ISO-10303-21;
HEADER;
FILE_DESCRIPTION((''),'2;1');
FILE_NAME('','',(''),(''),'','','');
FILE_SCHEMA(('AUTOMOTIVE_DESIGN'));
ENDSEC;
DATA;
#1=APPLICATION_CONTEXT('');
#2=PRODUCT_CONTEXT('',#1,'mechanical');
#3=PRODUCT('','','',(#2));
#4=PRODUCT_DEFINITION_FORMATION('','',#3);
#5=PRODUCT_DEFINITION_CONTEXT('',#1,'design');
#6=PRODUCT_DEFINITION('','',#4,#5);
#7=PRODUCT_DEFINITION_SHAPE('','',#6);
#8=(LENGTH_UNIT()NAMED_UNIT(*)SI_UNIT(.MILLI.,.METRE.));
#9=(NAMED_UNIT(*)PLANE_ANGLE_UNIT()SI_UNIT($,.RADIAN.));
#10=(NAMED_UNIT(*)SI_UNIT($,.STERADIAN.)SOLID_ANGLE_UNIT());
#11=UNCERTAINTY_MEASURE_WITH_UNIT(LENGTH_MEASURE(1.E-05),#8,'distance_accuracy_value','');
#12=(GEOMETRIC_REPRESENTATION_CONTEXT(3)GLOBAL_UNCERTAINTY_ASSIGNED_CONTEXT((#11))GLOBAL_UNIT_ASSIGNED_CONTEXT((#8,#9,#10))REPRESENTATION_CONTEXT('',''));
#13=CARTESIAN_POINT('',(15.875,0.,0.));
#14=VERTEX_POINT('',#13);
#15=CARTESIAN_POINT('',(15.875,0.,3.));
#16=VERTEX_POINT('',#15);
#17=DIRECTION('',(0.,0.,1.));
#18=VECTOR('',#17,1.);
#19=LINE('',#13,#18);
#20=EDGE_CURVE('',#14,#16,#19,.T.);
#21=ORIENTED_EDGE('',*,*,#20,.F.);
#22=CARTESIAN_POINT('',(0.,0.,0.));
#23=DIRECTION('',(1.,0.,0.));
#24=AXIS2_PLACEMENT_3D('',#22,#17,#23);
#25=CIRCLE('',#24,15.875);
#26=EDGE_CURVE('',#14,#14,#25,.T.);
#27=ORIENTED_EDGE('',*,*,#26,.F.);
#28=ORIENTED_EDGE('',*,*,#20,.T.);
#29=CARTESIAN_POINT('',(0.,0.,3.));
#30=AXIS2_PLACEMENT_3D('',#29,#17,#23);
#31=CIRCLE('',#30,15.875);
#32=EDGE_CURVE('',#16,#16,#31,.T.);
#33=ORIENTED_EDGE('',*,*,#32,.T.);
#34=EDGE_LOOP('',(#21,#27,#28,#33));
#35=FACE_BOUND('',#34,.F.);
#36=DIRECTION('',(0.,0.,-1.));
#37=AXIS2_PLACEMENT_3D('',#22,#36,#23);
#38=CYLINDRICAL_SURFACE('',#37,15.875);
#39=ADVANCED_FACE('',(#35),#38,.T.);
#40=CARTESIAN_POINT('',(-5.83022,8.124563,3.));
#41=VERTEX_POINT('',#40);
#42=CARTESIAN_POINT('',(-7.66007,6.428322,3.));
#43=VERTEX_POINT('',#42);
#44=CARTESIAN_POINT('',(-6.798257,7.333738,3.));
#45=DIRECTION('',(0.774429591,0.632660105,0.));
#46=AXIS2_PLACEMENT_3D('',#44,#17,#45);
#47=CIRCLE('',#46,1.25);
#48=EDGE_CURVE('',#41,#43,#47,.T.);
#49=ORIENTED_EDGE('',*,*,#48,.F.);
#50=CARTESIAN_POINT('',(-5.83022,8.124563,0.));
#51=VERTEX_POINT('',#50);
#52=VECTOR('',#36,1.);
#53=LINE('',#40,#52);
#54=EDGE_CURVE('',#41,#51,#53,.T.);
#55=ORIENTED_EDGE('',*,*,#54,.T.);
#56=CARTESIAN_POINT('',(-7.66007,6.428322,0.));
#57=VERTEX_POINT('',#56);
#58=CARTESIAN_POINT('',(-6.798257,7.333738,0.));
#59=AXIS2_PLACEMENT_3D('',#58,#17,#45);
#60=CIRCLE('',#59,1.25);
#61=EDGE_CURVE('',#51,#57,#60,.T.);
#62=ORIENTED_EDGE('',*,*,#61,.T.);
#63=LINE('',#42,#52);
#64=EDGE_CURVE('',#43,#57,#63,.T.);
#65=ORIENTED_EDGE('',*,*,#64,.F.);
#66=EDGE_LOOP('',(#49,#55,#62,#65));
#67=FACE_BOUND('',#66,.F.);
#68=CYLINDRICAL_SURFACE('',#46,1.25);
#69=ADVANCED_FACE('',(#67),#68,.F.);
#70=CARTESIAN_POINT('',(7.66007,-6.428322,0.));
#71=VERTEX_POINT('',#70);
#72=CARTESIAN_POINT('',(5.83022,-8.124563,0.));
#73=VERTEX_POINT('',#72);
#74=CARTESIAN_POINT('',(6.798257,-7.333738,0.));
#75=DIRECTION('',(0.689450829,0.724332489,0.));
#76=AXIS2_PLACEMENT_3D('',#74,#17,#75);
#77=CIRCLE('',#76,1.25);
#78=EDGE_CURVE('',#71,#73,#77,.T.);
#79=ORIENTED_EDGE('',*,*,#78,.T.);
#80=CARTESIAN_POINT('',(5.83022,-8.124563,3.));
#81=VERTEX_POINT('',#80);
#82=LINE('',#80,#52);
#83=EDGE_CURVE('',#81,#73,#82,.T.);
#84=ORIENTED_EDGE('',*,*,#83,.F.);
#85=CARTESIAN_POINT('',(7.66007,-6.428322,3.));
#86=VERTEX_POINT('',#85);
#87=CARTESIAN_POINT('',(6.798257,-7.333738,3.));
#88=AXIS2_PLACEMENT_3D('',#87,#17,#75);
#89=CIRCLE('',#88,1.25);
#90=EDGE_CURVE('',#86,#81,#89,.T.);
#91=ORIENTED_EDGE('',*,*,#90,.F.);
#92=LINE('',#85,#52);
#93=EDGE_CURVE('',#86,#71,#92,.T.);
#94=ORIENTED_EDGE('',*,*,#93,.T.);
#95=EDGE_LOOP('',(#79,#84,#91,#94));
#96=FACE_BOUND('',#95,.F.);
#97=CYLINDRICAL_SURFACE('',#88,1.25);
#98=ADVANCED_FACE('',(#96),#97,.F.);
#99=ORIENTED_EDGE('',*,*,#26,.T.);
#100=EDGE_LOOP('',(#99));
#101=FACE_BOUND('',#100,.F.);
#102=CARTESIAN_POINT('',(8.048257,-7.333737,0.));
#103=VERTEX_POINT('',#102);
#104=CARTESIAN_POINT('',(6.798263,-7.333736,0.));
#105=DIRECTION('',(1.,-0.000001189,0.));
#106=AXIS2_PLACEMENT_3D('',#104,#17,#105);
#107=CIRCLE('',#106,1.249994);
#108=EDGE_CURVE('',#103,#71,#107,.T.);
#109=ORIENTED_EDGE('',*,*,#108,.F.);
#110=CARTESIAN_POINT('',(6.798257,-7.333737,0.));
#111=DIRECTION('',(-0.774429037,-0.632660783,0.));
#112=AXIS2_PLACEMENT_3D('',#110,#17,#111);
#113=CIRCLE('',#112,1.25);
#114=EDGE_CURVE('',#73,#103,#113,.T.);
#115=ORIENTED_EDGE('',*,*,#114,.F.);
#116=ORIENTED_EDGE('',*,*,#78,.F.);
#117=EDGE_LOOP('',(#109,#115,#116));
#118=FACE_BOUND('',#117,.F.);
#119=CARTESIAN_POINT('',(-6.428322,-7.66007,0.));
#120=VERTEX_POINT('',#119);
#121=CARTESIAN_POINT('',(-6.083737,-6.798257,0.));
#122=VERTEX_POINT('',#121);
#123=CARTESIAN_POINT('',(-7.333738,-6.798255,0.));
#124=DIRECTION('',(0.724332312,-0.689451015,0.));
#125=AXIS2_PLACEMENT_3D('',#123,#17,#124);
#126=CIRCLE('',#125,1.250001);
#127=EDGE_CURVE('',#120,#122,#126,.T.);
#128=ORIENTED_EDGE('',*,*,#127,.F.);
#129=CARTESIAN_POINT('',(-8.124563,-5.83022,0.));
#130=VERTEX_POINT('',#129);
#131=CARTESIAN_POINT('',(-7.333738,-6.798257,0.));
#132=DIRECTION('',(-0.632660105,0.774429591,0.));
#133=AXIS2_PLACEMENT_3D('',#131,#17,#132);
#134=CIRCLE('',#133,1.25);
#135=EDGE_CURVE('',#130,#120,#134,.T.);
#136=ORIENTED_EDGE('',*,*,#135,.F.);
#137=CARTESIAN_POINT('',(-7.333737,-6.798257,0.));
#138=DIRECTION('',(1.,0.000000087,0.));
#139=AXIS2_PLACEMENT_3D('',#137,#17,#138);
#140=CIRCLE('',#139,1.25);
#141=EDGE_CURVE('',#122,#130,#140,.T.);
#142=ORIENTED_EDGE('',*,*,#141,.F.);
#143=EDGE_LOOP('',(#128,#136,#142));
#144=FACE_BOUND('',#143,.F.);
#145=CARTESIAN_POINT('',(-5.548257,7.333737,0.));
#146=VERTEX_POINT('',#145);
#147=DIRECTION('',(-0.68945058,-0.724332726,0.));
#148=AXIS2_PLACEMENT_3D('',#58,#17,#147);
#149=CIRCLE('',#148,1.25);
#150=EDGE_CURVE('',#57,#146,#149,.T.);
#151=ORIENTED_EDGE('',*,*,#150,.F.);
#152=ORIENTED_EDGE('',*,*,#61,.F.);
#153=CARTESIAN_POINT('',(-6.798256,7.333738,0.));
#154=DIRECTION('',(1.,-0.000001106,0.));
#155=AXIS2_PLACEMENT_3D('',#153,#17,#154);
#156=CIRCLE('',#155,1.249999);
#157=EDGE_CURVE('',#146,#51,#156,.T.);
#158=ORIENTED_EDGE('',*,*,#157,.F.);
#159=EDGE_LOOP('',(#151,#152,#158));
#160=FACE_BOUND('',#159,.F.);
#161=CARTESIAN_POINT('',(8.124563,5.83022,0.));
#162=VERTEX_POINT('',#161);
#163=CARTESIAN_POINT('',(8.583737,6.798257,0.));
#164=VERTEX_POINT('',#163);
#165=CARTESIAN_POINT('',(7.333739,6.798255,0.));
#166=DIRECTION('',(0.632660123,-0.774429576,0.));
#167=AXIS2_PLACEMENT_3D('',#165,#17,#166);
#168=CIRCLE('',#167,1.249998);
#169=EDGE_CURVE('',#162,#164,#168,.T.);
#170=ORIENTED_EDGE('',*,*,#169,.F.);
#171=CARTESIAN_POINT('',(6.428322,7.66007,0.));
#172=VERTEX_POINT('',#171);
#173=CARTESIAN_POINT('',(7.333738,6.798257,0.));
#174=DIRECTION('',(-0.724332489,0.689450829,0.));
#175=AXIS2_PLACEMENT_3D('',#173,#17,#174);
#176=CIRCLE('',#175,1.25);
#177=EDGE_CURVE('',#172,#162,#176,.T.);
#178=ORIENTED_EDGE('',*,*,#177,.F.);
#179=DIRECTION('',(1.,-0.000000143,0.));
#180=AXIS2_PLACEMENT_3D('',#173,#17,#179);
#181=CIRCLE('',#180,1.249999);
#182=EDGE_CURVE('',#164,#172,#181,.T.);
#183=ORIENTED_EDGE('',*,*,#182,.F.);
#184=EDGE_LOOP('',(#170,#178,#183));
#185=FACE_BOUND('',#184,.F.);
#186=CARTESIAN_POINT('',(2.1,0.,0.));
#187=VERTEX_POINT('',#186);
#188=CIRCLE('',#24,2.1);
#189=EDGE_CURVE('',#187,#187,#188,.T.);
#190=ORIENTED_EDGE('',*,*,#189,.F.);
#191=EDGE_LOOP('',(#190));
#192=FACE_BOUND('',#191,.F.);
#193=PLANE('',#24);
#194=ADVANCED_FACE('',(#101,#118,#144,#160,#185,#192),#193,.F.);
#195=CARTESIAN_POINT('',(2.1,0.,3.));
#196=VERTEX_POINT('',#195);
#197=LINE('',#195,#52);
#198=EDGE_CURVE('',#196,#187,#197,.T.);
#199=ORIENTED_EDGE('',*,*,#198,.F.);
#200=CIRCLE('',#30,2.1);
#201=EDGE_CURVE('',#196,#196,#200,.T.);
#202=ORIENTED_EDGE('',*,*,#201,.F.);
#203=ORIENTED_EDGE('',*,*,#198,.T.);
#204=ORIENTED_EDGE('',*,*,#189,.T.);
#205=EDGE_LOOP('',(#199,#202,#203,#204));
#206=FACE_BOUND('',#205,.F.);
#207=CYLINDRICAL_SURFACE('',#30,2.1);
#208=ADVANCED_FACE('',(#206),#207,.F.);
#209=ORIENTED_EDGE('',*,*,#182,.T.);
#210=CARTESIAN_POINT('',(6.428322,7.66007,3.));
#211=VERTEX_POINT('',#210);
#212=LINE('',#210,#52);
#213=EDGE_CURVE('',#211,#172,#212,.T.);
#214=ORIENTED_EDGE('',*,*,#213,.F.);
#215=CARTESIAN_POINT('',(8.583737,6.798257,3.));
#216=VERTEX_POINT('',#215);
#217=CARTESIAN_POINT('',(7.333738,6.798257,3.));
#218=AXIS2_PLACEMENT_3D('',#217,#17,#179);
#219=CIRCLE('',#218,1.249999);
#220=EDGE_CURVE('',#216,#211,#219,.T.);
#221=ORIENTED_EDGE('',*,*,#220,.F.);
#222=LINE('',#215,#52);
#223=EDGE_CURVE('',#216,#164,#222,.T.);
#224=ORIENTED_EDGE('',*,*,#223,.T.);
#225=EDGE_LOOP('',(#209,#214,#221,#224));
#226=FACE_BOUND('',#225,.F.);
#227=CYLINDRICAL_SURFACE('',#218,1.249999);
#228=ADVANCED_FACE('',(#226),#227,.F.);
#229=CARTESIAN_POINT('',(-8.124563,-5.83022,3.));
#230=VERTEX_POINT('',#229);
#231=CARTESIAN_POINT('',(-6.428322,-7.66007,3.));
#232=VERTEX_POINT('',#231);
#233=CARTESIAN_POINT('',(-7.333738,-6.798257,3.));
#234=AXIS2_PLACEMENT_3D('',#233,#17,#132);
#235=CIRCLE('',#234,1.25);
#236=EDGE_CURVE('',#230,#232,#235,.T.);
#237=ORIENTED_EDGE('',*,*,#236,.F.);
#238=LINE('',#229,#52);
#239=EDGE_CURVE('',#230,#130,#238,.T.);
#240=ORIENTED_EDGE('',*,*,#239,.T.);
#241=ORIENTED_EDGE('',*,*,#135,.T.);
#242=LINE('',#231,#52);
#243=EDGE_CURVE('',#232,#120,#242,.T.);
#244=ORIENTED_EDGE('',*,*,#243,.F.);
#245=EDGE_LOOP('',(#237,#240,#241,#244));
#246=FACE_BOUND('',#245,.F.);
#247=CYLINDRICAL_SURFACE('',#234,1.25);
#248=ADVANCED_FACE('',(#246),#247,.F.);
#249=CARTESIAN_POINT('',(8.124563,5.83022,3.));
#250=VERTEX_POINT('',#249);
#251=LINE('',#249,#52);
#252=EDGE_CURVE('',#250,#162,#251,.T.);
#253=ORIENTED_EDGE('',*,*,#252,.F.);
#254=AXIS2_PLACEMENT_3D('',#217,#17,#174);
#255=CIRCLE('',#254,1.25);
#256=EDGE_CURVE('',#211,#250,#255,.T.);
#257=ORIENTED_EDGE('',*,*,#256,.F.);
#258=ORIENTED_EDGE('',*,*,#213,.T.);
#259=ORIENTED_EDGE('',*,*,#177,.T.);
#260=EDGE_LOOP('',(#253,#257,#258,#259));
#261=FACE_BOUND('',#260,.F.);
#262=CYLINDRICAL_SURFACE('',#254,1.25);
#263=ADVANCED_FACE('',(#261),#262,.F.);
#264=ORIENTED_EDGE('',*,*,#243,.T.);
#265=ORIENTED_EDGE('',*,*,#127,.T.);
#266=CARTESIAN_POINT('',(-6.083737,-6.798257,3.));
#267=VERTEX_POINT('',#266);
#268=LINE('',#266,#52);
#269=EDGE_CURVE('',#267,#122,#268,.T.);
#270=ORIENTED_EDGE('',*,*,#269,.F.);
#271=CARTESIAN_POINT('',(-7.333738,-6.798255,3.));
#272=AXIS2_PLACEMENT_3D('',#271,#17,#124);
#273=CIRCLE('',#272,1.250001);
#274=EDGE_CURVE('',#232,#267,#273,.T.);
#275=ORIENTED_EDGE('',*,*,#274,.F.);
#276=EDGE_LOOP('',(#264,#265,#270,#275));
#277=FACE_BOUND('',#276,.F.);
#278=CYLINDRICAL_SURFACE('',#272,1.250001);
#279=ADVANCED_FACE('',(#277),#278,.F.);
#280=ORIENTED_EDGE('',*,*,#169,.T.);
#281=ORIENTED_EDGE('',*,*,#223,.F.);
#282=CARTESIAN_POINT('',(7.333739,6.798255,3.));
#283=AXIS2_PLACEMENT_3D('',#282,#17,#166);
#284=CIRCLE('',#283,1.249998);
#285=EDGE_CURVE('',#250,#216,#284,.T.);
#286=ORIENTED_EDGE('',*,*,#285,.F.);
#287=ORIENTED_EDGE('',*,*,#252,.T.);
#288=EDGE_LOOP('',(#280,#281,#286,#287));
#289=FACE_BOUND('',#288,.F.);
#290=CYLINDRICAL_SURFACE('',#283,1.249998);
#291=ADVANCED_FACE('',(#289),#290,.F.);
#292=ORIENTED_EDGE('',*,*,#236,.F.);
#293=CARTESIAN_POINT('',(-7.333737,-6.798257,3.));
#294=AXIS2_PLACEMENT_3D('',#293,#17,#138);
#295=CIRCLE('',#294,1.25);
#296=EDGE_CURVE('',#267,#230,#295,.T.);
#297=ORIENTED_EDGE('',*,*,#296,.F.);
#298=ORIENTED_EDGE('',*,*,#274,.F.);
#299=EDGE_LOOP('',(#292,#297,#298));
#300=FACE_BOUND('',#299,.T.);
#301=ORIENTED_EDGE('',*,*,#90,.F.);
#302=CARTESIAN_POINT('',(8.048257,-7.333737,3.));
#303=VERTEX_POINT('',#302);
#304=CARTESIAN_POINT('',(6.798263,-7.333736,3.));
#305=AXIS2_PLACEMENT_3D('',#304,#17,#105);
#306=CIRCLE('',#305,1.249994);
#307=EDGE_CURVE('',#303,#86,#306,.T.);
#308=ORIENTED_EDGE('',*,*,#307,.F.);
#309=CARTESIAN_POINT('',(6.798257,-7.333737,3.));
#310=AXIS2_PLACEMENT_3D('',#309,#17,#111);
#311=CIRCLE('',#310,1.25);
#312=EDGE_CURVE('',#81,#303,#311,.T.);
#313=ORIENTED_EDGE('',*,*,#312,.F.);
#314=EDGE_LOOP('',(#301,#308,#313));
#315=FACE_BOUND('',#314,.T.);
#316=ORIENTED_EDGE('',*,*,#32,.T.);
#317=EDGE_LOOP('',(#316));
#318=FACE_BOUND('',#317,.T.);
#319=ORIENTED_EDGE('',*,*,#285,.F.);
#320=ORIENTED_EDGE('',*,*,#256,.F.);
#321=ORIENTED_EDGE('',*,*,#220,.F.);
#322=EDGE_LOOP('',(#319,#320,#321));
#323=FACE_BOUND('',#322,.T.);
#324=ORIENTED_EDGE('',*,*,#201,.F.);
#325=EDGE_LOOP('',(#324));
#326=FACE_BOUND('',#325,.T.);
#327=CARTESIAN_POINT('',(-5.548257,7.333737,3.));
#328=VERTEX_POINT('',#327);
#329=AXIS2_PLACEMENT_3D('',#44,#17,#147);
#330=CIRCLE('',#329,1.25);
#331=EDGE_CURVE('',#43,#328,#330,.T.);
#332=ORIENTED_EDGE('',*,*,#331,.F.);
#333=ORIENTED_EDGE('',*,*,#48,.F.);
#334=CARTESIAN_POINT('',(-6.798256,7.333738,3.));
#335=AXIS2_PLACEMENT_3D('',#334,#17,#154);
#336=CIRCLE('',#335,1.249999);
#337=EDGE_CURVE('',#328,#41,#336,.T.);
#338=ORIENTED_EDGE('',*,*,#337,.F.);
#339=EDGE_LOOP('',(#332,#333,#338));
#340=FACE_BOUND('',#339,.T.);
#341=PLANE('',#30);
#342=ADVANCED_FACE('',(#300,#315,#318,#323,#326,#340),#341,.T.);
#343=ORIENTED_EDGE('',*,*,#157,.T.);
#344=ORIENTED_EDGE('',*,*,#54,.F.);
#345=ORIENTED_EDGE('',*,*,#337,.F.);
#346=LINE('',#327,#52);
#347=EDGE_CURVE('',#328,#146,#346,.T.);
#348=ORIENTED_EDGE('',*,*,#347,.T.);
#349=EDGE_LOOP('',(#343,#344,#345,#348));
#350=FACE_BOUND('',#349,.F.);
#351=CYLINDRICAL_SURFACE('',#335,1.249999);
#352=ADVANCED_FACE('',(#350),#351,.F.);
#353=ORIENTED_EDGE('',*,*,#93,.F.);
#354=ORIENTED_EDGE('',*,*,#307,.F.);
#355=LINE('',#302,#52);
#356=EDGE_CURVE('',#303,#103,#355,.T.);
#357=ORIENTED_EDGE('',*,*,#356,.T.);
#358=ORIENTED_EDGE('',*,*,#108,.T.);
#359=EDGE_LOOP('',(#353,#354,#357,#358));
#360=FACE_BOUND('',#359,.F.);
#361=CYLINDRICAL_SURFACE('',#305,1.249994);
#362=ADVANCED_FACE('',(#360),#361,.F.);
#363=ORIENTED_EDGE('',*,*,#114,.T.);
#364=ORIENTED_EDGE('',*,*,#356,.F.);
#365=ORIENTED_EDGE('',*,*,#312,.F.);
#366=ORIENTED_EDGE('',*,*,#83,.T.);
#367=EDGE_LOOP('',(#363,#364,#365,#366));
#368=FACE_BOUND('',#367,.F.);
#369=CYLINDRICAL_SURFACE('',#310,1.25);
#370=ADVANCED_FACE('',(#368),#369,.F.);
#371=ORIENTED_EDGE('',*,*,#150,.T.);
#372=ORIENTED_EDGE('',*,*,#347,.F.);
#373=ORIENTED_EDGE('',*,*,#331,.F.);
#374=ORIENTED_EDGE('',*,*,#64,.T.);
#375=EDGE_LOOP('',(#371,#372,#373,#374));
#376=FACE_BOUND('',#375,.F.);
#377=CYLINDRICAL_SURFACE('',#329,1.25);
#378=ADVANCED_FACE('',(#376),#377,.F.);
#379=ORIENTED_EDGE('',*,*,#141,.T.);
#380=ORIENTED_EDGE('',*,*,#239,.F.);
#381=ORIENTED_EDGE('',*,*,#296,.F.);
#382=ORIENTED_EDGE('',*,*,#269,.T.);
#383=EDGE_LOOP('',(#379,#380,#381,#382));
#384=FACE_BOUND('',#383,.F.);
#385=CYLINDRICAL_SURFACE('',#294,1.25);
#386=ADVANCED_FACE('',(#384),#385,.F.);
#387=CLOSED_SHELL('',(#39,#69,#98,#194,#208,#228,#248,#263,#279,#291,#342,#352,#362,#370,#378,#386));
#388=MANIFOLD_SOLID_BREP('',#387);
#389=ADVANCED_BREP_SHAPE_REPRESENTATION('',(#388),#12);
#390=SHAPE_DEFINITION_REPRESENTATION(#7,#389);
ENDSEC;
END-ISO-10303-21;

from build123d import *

# Parameters (mm, degrees)
F0_R     = 15.875
F1_DEPTH = 3
F3_DEPTH = 5
F4_R     = 2.1
F5_DEPTH = 3


with BuildPart() as f1:
    # F0 (on Top) → F1 (new body)
    with BuildSketch(Plane.XY):
        Circle(F0_R)
    extrude(amount=F1_DEPTH)

    # F2 (on face) → F3 (cut)
    with BuildSketch(Plane.XY.offset(3)):
        with BuildLine():
            ThreePointArc((-5.83022, 8.124563), (-6.798257, 7.333737), (-7.66007, 6.428322))
            ThreePointArc((-7.66007, 6.428322), (-6.305696, 6.184876), (-5.548257, 7.333737))
            ThreePointArc((-5.548257, 7.333737), (-5.620856, 7.753532), (-5.83022, 8.124563))
        make_face()
        with BuildLine():
            ThreePointArc((-5.83022, 8.124563), (-7.648039, 8.250455), (-7.66007, 6.428322))
            ThreePointArc((-7.66007, 6.428322), (-6.798257, 7.333737), (-5.83022, 8.124563))
        make_face()
        with BuildLine():
            ThreePointArc((8.583737, 6.798257), (7.797812, 7.958918), (6.428322, 7.66007))
            ThreePointArc((6.428322, 7.66007), (7.333737, 6.798257), (8.124563, 5.83022))
            ThreePointArc((8.124563, 5.83022), (8.463125, 6.262548), (8.583737, 6.798257))
        make_face()
        with BuildLine():
            ThreePointArc((8.124563, 5.83022), (7.333737, 6.798257), (6.428322, 7.66007))
            ThreePointArc((6.428322, 7.66007), (6.41702, 5.948475), (8.124563, 5.83022))
        make_face()
        with BuildLine():
            ThreePointArc((7.66007, -6.428322), (6.798257, -7.333737), (5.83022, -8.124563))
            ThreePointArc((5.83022, -8.124563), (7.218051, -8.511138), (8.048257, -7.333737))
            ThreePointArc((8.048257, -7.333737), (7.947119, -6.841176), (7.66007, -6.428322))
        make_face()
        with BuildLine():
            ThreePointArc((7.66007, -6.428322), (5.948475, -6.41702), (5.83022, -8.124563))
            ThreePointArc((5.83022, -8.124563), (6.798257, -7.333737), (7.66007, -6.428322))
        make_face()
        with BuildLine():
            ThreePointArc((-6.428322, -7.66007), (-7.333737, -6.798257), (-8.124563, -5.83022))
            ThreePointArc((-8.124563, -5.83022), (-8.250455, -7.648039), (-6.428322, -7.66007))
        make_face()
        with BuildLine():
            ThreePointArc((-6.428322, -7.66007), (-6.173076, -7.262331), (-6.083737, -6.798257))
            ThreePointArc((-6.083737, -6.798257), (-6.798029, -5.668869), (-8.124563, -5.83022))
            ThreePointArc((-8.124563, -5.83022), (-7.333737, -6.798257), (-6.428322, -7.66007))
        make_face()
    extrude(amount=-F3_DEPTH, mode=Mode.SUBTRACT)

    # F4 (on face) → F5 (cut, through all)
    with BuildSketch(Plane.XY.offset(3)):
        Circle(F4_R)
    extrude(amount=-F5_DEPTH, mode=Mode.SUBTRACT)


solid = f1.part
